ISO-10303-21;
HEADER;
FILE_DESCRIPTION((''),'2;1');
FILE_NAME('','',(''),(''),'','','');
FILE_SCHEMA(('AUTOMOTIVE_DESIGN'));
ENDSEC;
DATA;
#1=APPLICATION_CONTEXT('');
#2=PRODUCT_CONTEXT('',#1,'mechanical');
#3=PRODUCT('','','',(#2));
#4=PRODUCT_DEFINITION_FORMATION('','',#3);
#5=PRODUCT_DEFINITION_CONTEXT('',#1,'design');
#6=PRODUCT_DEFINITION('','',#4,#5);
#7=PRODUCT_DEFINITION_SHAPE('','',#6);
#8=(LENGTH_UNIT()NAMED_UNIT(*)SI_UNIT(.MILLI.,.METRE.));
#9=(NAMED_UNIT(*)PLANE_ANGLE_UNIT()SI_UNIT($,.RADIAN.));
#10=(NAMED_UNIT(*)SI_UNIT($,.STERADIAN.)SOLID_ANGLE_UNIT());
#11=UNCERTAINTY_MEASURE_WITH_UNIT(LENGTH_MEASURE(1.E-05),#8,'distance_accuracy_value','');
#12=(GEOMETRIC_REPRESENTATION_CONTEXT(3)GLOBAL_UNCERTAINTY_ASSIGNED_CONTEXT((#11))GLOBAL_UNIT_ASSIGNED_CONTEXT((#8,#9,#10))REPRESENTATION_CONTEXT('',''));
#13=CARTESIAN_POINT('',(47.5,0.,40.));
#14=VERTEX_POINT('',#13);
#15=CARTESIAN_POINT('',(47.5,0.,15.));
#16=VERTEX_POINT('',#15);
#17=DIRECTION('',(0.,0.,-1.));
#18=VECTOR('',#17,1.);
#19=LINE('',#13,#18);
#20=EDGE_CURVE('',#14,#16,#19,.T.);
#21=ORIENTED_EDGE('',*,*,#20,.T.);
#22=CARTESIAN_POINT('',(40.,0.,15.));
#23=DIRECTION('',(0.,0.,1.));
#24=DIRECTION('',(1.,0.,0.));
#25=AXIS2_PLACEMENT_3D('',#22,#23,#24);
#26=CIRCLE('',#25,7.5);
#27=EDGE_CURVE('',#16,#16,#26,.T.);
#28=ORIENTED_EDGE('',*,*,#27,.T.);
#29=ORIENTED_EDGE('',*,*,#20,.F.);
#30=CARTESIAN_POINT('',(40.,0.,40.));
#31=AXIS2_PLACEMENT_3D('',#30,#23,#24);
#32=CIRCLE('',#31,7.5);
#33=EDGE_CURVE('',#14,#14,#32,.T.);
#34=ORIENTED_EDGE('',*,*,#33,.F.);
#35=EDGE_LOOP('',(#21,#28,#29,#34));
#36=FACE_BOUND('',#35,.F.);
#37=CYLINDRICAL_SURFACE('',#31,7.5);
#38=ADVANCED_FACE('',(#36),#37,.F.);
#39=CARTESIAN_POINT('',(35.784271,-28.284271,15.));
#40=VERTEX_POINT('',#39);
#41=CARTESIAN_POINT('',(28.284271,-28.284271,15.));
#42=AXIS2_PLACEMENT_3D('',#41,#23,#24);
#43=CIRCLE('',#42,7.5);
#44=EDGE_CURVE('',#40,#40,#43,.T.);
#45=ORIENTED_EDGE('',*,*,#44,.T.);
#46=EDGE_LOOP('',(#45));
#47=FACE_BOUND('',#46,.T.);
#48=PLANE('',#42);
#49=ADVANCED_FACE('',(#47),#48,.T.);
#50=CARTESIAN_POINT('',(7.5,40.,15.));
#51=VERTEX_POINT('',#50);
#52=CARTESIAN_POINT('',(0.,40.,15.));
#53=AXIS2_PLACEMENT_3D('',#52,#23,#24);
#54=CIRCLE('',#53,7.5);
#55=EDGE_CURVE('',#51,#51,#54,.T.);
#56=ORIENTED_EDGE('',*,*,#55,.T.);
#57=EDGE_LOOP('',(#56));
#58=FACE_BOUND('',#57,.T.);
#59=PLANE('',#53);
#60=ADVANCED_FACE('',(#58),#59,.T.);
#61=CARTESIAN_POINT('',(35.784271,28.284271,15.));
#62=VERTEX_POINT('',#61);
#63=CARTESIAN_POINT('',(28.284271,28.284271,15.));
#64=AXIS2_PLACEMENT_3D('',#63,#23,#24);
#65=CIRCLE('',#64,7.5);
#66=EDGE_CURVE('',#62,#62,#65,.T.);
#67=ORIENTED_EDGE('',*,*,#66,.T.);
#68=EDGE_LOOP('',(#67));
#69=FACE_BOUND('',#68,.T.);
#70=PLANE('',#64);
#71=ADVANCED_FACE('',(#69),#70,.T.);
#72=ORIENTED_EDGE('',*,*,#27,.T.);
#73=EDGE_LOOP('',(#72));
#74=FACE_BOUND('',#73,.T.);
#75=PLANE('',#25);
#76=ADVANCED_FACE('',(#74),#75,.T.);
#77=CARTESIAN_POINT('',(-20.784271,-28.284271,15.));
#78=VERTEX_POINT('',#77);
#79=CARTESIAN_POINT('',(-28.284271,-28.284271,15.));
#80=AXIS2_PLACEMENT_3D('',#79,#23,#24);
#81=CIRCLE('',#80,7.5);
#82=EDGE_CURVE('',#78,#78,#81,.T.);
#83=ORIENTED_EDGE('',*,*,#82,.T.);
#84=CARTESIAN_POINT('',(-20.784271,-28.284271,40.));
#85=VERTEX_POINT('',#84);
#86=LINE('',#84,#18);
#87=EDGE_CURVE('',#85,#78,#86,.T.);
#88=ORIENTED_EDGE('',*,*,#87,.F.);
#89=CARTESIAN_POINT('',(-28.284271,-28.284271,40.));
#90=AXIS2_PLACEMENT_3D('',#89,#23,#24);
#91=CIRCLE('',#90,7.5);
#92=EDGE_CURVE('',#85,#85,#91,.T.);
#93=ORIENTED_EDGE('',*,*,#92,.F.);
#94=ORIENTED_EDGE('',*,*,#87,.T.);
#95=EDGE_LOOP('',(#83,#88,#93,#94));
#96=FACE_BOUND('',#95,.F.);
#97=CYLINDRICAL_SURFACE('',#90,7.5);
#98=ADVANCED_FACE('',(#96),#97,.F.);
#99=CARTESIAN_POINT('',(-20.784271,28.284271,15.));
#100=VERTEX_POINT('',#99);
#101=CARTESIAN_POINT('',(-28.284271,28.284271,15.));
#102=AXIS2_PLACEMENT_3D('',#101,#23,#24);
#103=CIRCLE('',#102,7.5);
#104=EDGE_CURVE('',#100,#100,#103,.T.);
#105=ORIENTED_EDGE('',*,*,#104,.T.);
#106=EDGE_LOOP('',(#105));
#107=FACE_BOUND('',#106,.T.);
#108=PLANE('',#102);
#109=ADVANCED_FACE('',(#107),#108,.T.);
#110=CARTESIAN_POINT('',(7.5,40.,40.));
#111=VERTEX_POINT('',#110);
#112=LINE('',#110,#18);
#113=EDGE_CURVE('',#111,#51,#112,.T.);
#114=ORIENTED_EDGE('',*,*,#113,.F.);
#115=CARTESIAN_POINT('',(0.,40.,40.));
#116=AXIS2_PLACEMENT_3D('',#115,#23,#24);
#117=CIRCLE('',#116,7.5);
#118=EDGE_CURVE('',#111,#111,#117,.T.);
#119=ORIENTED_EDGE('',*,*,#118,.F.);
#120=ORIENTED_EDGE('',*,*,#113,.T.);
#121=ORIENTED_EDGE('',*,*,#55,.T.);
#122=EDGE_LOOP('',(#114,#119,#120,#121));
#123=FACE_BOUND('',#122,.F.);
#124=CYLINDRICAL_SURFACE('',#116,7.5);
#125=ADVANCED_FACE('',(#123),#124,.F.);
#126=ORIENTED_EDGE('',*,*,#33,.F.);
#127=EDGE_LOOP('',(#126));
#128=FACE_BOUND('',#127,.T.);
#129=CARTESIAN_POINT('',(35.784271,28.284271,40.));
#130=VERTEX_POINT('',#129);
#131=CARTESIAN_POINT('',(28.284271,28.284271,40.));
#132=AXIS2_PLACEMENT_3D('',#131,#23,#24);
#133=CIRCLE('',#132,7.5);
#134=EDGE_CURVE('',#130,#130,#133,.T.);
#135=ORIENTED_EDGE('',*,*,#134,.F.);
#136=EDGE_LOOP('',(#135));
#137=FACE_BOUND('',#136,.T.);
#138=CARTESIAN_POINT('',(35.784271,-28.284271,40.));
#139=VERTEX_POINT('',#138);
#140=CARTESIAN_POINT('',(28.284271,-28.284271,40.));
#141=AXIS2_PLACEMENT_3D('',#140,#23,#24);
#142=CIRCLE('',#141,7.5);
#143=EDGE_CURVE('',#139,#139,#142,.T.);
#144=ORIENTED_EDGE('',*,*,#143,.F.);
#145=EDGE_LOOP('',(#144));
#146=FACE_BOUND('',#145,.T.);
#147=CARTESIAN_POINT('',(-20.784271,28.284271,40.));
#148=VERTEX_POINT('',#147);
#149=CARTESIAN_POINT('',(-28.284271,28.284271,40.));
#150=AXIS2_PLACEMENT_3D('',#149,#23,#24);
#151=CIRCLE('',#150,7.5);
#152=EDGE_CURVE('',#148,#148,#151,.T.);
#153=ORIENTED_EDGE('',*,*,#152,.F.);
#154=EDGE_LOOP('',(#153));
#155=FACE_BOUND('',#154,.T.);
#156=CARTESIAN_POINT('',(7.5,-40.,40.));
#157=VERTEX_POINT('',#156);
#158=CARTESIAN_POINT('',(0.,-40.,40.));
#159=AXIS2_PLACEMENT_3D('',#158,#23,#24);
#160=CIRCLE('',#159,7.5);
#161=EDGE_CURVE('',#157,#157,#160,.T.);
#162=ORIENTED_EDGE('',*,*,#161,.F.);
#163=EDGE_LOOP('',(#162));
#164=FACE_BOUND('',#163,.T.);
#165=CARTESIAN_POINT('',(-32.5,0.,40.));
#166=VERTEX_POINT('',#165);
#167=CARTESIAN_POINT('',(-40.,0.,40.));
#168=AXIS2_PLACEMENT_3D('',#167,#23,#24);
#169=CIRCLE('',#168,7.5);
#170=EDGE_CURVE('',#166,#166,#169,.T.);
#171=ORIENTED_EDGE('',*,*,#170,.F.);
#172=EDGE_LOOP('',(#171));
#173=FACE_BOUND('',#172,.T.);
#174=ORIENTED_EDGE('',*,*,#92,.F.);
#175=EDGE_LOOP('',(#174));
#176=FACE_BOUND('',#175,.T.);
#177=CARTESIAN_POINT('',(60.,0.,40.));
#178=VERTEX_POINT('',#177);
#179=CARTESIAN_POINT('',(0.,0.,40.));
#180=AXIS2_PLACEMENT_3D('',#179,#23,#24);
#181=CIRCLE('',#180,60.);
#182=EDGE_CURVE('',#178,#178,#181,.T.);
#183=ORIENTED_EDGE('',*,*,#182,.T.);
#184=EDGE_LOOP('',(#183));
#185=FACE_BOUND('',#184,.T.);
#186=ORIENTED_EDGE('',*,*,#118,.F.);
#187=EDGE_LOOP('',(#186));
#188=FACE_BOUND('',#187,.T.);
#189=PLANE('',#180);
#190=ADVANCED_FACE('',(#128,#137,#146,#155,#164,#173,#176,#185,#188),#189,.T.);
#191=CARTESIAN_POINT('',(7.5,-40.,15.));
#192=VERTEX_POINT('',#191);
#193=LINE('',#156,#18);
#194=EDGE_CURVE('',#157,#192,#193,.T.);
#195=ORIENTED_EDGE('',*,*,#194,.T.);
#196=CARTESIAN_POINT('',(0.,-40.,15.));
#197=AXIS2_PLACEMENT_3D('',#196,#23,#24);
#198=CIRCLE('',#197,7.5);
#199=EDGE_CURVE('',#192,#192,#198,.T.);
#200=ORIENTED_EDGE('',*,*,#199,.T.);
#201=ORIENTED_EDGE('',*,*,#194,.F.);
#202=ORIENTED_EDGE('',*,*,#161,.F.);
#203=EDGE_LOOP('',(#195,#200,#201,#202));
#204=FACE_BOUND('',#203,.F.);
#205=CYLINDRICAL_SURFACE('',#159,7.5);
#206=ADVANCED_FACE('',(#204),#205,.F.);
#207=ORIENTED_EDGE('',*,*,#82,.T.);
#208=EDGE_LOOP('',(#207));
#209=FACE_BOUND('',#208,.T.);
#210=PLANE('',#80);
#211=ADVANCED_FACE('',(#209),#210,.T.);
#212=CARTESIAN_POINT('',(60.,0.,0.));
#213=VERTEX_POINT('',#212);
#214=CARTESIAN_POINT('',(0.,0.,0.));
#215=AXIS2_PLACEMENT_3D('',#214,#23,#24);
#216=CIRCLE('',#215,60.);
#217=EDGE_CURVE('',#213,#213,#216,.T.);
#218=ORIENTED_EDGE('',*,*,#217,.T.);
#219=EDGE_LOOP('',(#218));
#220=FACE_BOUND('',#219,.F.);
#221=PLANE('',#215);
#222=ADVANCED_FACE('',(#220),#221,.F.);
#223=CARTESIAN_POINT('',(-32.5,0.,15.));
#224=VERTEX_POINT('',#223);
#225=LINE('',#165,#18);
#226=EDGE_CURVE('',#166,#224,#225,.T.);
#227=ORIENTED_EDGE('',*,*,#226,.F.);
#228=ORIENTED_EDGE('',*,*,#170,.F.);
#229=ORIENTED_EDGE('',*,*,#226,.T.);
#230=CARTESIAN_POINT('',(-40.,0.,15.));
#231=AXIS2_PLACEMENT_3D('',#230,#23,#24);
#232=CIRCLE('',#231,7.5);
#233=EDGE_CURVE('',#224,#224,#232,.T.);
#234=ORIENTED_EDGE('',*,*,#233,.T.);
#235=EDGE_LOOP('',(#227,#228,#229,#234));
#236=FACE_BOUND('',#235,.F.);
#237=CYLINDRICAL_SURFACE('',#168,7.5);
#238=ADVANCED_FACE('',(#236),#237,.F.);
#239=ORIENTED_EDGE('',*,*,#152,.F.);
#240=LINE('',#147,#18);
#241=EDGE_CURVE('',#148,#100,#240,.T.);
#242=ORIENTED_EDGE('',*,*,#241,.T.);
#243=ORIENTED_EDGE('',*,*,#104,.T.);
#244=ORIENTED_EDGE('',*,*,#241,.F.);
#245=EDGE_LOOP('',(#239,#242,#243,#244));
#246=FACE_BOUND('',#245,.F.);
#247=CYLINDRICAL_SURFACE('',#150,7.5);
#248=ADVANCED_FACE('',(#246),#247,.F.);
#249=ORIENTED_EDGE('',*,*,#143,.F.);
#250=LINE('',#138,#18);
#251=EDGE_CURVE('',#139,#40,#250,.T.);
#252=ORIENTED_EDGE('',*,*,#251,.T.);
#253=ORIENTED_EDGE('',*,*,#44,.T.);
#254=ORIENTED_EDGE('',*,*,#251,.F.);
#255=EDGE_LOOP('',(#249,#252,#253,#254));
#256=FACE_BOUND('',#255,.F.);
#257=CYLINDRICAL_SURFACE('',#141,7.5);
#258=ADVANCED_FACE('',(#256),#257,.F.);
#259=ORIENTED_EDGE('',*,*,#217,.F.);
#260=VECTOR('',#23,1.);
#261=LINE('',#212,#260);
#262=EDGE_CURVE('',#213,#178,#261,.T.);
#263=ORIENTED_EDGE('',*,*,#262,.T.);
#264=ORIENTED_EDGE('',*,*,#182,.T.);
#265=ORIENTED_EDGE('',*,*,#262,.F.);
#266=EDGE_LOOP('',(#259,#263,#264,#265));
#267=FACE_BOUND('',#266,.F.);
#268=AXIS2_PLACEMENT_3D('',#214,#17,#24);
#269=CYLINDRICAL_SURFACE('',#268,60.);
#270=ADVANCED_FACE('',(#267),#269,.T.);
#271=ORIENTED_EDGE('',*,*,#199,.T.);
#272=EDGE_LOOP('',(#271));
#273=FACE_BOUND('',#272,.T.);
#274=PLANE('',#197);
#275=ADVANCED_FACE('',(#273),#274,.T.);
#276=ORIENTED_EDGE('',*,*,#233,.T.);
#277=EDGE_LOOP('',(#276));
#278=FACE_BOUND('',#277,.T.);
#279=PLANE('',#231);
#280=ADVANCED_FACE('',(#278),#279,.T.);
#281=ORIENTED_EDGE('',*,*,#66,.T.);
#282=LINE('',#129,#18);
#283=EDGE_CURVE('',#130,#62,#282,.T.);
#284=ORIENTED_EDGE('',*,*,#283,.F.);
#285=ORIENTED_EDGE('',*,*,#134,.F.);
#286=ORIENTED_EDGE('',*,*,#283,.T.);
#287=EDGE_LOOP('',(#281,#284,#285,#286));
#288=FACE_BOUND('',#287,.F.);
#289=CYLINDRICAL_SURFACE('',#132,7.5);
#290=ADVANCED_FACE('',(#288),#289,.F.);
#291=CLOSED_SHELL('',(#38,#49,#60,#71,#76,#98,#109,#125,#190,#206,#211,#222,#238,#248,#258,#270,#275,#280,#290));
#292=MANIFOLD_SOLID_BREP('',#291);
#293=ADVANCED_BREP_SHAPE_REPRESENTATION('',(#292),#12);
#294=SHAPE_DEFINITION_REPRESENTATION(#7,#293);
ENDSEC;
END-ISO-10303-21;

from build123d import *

# Parameters (mm, degrees)
F0_R     = 60
F1_DEPTH = 40
F2_R     = 7.5
F3_DEPTH = 25


with BuildPart() as f1:
    # F0 (on Top) → F1 (new body)
    with BuildSketch(Plane.XY):
        Circle(F0_R)
    extrude(amount=F1_DEPTH)

    # F2 (on face) → F3 (cut)
    with BuildSketch(Plane.XY.offset(40)):
        with Locations((-28.284271, 28.284271)):
            Circle(F2_R)
        with Locations((0, 40)):
            Circle(F2_R)
        with Locations((28.284271, 28.284271)):
            Circle(F2_R)
        with Locations((40, 0)):
            Circle(F2_R)
        with Locations((28.284271, -28.284271)):
            Circle(F2_R)
        with Locations((0, -40)):
            Circle(F2_R)
        with Locations((-28.284271, -28.284271)):
            Circle(F2_R)
        with Locations((-40, 0)):
            Circle(F2_R)
    extrude(amount=-F3_DEPTH, mode=Mode.SUBTRACT)


solid = f1.part
